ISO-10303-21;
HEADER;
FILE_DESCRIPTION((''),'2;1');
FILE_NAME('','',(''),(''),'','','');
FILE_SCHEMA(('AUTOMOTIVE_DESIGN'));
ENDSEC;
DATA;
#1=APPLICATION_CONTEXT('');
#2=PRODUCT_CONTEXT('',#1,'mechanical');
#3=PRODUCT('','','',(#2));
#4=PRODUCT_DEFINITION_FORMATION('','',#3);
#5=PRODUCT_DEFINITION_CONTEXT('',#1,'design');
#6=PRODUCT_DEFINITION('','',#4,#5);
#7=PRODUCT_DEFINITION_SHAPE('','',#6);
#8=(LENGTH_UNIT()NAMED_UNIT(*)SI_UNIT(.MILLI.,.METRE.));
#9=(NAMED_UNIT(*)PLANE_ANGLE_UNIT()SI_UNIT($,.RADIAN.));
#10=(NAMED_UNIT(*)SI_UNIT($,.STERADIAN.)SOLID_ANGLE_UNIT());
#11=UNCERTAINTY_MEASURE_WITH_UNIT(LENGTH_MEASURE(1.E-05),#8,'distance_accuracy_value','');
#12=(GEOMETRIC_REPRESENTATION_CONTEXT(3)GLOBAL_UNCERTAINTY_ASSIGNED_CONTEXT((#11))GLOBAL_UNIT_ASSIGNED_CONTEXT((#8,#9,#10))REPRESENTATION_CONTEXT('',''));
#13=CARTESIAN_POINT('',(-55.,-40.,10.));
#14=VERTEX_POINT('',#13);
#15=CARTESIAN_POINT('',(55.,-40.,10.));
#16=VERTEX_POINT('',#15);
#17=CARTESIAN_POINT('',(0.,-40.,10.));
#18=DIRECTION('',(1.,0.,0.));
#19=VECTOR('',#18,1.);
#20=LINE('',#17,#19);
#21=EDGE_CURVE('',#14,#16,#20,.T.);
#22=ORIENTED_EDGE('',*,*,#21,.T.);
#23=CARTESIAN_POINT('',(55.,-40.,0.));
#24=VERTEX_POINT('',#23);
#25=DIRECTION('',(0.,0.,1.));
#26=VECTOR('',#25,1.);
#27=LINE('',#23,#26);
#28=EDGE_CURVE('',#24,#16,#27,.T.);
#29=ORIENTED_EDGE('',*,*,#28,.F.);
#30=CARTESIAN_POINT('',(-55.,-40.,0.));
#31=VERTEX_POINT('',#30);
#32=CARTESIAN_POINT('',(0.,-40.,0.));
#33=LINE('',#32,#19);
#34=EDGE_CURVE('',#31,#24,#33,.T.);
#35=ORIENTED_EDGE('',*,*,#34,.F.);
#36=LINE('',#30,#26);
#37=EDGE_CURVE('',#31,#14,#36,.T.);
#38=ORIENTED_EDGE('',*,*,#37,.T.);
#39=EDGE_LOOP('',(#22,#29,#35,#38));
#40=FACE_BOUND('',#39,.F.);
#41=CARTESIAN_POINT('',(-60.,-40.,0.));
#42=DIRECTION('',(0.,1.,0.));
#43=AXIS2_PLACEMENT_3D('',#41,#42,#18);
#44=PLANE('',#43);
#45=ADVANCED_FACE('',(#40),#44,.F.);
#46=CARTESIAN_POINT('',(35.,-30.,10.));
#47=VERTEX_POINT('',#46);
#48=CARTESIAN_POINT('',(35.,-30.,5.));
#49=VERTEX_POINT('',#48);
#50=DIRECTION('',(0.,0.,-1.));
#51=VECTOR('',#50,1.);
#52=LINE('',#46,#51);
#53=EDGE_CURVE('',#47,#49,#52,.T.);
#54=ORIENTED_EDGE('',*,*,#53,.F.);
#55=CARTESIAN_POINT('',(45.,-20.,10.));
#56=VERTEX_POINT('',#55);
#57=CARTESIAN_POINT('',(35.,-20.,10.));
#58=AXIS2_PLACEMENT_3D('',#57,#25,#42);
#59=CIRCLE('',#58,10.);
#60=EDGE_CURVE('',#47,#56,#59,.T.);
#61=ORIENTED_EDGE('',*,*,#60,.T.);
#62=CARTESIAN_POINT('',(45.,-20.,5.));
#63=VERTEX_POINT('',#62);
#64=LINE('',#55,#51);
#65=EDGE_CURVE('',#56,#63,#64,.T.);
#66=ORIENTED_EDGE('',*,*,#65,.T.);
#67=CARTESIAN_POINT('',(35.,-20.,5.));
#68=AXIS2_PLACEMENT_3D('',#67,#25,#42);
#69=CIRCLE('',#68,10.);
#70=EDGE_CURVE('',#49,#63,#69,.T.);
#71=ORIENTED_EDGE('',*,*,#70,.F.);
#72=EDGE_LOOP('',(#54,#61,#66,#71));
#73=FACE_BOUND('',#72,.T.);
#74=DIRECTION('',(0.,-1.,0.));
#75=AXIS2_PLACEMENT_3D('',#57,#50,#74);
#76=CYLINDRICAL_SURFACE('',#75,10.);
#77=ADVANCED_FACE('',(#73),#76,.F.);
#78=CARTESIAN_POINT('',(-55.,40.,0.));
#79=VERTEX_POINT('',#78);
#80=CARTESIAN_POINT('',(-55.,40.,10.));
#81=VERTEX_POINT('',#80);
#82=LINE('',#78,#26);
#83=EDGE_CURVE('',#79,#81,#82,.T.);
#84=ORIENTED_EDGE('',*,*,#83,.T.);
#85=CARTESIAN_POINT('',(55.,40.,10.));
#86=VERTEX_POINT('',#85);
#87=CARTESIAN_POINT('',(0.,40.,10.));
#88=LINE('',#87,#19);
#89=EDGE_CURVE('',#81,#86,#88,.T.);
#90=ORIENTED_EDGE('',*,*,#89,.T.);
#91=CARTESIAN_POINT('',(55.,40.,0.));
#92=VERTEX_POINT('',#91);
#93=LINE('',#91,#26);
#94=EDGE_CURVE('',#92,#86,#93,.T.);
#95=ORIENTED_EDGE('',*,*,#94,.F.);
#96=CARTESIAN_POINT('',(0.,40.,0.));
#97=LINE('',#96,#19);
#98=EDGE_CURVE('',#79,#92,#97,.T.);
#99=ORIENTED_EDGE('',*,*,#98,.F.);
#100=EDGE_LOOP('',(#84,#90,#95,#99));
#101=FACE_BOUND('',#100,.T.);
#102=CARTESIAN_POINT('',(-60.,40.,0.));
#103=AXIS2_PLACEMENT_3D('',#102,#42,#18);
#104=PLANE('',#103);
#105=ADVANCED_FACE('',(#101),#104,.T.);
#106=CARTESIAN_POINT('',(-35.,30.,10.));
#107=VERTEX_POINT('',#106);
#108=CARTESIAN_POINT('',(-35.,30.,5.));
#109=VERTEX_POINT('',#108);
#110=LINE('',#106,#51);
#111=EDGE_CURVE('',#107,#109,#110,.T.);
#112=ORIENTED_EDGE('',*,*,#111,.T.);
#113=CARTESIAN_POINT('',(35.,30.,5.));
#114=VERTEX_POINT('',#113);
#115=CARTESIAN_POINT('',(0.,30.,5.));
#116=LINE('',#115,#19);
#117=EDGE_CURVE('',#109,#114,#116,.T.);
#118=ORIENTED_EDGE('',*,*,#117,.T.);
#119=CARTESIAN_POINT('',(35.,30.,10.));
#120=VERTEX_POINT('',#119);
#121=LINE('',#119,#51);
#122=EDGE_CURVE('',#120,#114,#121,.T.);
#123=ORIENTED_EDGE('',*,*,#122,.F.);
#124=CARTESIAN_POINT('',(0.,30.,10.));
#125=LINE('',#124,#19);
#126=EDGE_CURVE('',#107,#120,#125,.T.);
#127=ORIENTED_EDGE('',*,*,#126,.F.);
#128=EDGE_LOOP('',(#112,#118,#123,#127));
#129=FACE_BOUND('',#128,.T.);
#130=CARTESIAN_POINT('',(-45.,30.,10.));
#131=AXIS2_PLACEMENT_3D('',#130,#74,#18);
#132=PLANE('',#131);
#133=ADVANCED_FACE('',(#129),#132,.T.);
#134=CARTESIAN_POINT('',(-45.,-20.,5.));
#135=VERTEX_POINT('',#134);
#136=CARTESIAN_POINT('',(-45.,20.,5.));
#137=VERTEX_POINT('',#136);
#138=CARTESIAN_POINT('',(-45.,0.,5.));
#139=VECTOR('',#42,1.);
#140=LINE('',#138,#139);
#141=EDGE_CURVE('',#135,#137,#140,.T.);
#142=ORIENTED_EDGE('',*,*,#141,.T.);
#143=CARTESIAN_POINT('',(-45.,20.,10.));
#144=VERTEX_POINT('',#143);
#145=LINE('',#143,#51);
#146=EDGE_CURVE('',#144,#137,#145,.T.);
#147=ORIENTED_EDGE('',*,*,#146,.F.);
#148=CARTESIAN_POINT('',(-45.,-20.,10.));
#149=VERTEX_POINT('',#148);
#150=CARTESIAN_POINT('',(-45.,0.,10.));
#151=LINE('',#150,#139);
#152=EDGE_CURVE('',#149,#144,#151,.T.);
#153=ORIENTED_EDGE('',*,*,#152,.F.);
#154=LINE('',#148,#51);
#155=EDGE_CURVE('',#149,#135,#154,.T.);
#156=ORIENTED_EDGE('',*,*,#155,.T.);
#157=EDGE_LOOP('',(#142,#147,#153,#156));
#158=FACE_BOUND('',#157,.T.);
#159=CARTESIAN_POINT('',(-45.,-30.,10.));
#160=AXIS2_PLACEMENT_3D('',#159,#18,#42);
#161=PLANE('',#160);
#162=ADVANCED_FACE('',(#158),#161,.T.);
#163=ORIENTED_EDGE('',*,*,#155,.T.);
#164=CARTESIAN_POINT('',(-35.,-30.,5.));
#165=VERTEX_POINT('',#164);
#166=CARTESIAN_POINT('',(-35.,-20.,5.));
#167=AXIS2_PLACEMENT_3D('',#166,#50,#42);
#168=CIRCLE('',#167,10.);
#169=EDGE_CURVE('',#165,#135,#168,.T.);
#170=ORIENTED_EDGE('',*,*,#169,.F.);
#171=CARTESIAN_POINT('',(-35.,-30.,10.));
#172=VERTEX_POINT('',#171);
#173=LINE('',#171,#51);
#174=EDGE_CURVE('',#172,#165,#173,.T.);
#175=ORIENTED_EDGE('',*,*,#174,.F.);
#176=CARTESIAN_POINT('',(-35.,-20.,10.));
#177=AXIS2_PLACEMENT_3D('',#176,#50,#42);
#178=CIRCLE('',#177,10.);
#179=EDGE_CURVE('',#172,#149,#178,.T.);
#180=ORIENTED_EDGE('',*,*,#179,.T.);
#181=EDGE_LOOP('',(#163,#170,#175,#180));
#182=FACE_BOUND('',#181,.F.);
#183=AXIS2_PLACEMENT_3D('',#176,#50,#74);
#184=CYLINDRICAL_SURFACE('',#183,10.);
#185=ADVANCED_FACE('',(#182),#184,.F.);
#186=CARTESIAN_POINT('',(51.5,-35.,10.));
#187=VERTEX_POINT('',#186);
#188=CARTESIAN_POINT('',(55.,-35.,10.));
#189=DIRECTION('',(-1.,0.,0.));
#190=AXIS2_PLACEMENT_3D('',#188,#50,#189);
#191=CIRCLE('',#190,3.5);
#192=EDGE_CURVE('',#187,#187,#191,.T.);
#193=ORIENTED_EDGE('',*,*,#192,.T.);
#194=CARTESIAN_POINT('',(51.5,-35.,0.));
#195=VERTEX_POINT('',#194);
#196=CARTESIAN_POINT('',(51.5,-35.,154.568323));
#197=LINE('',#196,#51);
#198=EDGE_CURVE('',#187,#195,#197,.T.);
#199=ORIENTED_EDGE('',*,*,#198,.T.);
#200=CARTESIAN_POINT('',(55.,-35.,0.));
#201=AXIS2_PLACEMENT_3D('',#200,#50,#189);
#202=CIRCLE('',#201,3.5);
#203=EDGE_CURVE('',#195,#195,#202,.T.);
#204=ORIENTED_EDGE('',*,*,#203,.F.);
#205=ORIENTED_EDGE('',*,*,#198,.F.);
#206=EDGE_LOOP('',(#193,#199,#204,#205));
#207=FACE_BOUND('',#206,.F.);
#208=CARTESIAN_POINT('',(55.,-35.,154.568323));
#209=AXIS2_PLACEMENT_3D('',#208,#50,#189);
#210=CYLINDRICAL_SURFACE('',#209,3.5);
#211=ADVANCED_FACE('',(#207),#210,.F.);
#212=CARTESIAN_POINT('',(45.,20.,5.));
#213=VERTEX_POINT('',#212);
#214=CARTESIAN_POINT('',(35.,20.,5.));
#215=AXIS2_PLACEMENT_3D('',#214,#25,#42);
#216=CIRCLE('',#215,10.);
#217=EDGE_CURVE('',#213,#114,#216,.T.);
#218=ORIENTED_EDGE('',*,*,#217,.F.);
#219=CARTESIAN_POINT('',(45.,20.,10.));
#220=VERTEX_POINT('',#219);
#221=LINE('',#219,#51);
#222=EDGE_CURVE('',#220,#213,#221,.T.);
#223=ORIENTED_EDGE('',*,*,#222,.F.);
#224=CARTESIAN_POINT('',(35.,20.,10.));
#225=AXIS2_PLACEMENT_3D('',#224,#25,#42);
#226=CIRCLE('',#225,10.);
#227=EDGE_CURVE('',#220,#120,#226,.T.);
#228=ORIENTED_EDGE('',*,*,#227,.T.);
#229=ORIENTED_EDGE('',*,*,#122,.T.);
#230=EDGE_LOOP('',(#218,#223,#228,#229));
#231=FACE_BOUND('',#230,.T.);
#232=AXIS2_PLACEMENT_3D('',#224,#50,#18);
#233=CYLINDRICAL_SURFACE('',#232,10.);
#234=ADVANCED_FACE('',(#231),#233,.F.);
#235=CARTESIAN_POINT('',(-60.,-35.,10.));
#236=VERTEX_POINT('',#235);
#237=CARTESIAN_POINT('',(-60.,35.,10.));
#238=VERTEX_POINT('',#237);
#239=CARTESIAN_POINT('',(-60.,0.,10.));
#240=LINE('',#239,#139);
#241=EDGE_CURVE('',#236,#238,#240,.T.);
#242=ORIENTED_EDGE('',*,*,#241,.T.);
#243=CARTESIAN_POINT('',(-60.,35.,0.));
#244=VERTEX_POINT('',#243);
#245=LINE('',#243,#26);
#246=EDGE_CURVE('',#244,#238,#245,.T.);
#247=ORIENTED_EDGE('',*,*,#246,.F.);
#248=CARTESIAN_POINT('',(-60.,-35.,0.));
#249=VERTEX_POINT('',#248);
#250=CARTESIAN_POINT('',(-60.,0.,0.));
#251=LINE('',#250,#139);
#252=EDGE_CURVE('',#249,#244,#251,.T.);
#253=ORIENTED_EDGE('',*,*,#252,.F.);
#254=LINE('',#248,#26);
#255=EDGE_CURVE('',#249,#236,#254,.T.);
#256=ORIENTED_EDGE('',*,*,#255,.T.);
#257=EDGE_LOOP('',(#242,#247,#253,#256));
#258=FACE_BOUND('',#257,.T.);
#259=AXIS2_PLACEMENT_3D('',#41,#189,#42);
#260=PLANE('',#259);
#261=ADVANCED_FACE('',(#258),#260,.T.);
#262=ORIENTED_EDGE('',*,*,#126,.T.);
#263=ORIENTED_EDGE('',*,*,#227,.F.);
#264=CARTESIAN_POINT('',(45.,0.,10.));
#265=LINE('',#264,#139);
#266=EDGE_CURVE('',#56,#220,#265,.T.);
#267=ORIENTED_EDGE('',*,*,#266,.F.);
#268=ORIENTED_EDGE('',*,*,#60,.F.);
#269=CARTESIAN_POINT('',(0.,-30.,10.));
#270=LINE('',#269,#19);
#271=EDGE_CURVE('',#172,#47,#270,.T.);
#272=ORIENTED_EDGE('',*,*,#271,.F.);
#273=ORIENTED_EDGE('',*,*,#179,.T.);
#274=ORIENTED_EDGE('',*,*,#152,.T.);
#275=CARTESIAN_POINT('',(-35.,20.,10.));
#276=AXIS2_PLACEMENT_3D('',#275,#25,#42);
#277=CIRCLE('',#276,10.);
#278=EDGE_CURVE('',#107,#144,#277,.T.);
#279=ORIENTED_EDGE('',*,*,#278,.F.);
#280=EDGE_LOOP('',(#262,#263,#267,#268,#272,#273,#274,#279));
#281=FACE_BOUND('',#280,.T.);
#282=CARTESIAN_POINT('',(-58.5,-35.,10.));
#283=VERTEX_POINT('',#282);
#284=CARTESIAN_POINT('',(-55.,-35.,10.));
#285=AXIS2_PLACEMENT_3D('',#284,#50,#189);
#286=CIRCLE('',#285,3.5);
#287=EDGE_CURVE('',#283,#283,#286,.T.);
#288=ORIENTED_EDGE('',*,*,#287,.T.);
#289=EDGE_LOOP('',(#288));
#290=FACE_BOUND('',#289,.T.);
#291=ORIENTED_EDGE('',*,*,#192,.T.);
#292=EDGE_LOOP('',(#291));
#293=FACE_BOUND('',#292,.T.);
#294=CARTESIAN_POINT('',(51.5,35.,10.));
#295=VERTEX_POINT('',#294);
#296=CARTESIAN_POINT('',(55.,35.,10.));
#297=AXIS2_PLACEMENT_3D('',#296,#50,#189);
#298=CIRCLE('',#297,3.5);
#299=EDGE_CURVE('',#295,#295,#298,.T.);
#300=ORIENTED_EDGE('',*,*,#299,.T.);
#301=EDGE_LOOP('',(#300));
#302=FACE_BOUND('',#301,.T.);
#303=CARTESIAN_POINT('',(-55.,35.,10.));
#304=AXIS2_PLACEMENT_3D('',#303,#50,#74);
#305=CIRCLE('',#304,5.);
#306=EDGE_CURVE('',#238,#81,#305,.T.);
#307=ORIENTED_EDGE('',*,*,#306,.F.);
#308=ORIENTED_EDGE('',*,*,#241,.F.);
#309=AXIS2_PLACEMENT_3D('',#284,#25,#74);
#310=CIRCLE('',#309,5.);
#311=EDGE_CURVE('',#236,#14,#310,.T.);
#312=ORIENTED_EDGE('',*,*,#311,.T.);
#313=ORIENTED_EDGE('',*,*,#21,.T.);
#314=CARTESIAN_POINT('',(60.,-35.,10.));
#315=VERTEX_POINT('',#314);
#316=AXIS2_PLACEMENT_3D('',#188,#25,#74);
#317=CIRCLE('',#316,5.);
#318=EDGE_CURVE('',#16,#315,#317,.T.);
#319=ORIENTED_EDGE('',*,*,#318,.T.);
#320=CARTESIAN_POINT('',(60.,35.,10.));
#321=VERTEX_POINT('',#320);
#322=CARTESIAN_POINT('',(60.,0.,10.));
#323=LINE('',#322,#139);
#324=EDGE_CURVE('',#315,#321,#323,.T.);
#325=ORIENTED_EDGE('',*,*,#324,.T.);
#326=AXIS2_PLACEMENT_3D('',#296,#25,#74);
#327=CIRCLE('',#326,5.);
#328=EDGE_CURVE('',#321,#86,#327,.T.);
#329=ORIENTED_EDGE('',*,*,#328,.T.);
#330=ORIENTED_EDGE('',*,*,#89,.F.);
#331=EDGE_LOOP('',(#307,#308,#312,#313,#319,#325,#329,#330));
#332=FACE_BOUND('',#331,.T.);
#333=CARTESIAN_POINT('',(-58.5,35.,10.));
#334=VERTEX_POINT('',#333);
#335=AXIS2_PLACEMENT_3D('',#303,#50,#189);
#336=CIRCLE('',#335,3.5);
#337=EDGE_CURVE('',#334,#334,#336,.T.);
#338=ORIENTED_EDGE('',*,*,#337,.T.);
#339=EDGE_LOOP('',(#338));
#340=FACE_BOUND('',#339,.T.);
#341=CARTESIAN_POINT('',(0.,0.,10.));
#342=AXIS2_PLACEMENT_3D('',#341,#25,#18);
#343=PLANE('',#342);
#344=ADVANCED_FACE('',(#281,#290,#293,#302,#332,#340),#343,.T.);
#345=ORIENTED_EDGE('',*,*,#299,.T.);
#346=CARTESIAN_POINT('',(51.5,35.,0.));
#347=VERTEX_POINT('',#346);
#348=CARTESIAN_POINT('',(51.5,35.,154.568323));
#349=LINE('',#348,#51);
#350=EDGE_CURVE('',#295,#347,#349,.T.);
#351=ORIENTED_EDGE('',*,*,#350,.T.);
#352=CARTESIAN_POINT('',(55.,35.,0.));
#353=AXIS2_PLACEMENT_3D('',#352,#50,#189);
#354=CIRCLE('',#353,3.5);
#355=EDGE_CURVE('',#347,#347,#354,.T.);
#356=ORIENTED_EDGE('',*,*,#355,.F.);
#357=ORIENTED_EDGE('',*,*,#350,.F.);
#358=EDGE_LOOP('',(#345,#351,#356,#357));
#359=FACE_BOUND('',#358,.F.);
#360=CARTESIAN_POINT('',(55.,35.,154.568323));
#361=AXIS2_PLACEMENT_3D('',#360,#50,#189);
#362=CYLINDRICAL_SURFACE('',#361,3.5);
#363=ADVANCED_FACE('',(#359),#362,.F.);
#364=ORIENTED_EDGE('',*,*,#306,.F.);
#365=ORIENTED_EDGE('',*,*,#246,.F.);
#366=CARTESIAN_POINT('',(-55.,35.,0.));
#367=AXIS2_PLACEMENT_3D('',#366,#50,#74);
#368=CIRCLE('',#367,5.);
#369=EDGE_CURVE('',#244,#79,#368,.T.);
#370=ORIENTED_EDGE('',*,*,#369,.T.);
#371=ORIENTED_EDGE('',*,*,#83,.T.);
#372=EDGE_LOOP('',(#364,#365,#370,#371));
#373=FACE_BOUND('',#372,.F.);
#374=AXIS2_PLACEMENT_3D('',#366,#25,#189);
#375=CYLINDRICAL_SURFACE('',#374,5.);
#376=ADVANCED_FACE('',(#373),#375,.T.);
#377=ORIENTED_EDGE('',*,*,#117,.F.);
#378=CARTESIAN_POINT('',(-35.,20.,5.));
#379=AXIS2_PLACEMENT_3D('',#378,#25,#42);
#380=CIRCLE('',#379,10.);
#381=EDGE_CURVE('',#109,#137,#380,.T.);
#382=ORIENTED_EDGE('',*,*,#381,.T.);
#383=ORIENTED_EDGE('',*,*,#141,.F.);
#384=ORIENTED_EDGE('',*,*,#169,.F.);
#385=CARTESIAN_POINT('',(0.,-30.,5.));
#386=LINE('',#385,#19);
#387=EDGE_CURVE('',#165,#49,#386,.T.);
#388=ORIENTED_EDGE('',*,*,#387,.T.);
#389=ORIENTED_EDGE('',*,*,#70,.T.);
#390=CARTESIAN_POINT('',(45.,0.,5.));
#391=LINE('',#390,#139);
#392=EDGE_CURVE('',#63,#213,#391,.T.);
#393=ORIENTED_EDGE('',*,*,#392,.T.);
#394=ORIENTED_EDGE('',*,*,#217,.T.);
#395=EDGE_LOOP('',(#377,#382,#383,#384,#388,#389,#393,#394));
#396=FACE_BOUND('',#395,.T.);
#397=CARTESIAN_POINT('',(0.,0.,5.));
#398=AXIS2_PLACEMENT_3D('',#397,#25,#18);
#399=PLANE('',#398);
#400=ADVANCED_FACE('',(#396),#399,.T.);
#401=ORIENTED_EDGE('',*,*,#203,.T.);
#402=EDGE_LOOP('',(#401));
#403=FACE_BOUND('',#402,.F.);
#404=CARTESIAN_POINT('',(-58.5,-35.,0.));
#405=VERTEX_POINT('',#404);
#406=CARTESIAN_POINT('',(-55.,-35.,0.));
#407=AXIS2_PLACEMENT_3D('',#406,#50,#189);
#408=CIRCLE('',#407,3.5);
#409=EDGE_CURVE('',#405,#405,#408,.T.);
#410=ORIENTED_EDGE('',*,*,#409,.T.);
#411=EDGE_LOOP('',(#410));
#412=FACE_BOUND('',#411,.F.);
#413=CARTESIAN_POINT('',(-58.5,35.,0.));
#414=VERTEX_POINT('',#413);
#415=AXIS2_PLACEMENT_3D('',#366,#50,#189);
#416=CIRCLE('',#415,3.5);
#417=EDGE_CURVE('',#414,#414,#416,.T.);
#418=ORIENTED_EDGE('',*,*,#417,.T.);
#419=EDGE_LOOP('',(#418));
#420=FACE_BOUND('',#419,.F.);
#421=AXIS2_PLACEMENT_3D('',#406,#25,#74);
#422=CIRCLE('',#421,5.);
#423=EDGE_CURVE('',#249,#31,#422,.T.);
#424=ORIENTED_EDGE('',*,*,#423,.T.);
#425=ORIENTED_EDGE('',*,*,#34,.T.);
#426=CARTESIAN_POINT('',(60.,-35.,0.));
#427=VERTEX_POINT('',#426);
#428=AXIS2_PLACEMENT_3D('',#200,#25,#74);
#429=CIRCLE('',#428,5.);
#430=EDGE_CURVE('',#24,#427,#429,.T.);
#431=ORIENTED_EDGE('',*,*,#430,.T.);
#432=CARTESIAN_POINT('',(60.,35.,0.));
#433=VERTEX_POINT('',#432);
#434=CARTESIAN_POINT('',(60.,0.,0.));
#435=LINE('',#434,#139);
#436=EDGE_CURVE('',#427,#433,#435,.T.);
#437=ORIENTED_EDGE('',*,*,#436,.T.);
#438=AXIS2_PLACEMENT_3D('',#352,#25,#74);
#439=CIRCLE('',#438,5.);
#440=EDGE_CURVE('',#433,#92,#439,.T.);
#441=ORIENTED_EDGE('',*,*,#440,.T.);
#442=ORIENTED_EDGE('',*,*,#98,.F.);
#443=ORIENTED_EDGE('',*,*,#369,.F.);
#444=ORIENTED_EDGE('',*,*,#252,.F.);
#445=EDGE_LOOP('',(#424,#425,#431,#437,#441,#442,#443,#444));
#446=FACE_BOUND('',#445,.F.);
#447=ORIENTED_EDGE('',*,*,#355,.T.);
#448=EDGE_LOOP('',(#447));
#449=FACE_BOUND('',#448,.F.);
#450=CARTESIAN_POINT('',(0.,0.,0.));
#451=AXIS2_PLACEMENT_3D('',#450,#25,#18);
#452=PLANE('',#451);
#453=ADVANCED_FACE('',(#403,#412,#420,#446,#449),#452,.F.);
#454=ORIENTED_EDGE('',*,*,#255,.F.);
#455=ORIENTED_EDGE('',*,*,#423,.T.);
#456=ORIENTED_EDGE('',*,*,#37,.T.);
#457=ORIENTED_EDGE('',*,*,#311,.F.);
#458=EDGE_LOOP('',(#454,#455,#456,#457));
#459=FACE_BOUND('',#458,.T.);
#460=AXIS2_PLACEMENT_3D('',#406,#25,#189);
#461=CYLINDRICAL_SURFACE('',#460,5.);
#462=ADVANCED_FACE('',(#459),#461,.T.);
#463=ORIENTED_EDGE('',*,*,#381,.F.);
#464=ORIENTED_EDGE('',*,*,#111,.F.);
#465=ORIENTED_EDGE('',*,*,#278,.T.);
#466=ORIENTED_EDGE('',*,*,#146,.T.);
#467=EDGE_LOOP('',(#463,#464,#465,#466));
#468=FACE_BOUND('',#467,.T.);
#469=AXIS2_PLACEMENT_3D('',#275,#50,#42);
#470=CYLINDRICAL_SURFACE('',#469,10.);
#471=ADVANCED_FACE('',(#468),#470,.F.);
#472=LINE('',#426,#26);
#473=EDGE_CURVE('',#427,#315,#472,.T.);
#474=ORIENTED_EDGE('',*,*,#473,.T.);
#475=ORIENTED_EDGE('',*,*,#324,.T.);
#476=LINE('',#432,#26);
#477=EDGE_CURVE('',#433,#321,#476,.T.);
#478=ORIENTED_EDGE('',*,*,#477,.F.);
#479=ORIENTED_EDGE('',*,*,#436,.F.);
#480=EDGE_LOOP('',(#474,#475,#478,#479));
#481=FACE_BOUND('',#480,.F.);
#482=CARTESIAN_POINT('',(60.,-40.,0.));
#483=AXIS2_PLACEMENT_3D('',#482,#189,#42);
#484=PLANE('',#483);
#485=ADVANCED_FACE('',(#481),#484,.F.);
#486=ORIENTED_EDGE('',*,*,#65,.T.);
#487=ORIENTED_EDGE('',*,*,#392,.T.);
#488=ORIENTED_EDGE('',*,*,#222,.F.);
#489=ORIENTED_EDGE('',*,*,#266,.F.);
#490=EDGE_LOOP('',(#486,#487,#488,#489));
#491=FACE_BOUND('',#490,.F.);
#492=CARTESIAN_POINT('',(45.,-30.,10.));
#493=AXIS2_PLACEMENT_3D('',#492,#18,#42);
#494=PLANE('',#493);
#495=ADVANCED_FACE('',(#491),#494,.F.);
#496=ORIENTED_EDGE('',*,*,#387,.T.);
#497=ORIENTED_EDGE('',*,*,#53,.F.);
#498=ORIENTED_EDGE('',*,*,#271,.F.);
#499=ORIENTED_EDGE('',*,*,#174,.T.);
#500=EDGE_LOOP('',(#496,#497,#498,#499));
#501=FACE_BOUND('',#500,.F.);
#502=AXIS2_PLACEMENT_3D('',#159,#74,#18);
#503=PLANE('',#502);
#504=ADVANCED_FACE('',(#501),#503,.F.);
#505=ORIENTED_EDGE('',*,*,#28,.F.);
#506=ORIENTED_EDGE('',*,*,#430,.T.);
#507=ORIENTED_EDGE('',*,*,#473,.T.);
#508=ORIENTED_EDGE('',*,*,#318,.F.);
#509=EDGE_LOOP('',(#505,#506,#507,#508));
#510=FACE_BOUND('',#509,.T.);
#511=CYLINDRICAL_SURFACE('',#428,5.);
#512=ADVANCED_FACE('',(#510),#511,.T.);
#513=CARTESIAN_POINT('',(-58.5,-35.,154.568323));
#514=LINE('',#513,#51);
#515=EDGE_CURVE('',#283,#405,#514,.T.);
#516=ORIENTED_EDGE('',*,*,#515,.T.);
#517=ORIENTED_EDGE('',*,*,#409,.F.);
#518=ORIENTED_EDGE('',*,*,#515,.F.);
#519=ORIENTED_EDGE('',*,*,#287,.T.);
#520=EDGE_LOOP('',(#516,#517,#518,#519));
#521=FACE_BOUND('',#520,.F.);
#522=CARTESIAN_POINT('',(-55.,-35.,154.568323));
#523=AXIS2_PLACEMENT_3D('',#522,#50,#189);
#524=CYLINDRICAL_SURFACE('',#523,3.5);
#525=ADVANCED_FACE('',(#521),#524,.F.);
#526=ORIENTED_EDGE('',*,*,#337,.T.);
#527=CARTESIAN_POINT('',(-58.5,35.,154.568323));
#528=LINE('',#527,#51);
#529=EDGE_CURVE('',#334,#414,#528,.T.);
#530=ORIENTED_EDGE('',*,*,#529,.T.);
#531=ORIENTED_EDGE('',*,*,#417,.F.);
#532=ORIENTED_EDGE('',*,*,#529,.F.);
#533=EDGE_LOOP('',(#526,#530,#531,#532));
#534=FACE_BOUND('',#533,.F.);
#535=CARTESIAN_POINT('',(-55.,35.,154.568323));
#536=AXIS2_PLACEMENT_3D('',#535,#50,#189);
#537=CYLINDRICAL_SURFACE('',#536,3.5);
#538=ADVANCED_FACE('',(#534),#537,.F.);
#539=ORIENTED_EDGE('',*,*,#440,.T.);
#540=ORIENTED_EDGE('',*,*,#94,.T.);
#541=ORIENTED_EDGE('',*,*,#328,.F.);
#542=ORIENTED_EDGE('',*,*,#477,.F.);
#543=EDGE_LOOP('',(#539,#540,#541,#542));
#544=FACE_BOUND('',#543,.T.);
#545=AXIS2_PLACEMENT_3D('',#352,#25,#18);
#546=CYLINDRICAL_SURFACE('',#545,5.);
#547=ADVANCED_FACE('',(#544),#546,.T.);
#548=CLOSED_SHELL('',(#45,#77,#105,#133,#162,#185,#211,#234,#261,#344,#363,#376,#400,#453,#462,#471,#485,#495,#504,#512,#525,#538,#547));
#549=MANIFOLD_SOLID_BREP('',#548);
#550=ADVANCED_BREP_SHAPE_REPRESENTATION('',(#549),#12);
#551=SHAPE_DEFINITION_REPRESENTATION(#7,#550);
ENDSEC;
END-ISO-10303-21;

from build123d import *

# Parameters (mm, degrees)
F0_W     = 120
F0_H     = 80
F1_DEPTH = 10
F2_R     = 5
F3_W     = 90
F3_H     = 60
F4_DEPTH = 5
F5_R     = 10
F7_D     = 7


with BuildPart() as f1:
    # F0 (on Top) → F1 (new body)
    with BuildSketch(Plane.XY):
        Rectangle(F0_W, F0_H)
    extrude(amount=F1_DEPTH)

    # F2
    f2_edges = [f1.edges().sort_by_distance(p)[0] for p in [
        (60, -40, 5),
        (60, 40, 5),
        (-60, -40, 5),
        (-60, 40, 5),
    ]]
    fillet(f2_edges, radius=F2_R)

    # F3 (on face) → F4 (cut)
    with BuildSketch(Plane.XY.offset(10)):
        Rectangle(F3_W, F3_H)
    extrude(amount=-F4_DEPTH, mode=Mode.SUBTRACT)

    # F5
    f5_edges = [f1.edges().sort_by_distance(p)[0] for p in [
        (-45, 30, 7.5),
        (45, 30, 7.5),
        (45, -30, 7.5),
        (-45, -30, 7.5),
    ]]
    fillet(f5_edges, radius=F5_R)

    # F7 (through all)
    with Locations(Plane.XY.offset(10)):
        with Locations((-55, -35), (-55, 35), (55, -35), (55, 35)):
            Hole(F7_D / 2)


solid = f1.part
